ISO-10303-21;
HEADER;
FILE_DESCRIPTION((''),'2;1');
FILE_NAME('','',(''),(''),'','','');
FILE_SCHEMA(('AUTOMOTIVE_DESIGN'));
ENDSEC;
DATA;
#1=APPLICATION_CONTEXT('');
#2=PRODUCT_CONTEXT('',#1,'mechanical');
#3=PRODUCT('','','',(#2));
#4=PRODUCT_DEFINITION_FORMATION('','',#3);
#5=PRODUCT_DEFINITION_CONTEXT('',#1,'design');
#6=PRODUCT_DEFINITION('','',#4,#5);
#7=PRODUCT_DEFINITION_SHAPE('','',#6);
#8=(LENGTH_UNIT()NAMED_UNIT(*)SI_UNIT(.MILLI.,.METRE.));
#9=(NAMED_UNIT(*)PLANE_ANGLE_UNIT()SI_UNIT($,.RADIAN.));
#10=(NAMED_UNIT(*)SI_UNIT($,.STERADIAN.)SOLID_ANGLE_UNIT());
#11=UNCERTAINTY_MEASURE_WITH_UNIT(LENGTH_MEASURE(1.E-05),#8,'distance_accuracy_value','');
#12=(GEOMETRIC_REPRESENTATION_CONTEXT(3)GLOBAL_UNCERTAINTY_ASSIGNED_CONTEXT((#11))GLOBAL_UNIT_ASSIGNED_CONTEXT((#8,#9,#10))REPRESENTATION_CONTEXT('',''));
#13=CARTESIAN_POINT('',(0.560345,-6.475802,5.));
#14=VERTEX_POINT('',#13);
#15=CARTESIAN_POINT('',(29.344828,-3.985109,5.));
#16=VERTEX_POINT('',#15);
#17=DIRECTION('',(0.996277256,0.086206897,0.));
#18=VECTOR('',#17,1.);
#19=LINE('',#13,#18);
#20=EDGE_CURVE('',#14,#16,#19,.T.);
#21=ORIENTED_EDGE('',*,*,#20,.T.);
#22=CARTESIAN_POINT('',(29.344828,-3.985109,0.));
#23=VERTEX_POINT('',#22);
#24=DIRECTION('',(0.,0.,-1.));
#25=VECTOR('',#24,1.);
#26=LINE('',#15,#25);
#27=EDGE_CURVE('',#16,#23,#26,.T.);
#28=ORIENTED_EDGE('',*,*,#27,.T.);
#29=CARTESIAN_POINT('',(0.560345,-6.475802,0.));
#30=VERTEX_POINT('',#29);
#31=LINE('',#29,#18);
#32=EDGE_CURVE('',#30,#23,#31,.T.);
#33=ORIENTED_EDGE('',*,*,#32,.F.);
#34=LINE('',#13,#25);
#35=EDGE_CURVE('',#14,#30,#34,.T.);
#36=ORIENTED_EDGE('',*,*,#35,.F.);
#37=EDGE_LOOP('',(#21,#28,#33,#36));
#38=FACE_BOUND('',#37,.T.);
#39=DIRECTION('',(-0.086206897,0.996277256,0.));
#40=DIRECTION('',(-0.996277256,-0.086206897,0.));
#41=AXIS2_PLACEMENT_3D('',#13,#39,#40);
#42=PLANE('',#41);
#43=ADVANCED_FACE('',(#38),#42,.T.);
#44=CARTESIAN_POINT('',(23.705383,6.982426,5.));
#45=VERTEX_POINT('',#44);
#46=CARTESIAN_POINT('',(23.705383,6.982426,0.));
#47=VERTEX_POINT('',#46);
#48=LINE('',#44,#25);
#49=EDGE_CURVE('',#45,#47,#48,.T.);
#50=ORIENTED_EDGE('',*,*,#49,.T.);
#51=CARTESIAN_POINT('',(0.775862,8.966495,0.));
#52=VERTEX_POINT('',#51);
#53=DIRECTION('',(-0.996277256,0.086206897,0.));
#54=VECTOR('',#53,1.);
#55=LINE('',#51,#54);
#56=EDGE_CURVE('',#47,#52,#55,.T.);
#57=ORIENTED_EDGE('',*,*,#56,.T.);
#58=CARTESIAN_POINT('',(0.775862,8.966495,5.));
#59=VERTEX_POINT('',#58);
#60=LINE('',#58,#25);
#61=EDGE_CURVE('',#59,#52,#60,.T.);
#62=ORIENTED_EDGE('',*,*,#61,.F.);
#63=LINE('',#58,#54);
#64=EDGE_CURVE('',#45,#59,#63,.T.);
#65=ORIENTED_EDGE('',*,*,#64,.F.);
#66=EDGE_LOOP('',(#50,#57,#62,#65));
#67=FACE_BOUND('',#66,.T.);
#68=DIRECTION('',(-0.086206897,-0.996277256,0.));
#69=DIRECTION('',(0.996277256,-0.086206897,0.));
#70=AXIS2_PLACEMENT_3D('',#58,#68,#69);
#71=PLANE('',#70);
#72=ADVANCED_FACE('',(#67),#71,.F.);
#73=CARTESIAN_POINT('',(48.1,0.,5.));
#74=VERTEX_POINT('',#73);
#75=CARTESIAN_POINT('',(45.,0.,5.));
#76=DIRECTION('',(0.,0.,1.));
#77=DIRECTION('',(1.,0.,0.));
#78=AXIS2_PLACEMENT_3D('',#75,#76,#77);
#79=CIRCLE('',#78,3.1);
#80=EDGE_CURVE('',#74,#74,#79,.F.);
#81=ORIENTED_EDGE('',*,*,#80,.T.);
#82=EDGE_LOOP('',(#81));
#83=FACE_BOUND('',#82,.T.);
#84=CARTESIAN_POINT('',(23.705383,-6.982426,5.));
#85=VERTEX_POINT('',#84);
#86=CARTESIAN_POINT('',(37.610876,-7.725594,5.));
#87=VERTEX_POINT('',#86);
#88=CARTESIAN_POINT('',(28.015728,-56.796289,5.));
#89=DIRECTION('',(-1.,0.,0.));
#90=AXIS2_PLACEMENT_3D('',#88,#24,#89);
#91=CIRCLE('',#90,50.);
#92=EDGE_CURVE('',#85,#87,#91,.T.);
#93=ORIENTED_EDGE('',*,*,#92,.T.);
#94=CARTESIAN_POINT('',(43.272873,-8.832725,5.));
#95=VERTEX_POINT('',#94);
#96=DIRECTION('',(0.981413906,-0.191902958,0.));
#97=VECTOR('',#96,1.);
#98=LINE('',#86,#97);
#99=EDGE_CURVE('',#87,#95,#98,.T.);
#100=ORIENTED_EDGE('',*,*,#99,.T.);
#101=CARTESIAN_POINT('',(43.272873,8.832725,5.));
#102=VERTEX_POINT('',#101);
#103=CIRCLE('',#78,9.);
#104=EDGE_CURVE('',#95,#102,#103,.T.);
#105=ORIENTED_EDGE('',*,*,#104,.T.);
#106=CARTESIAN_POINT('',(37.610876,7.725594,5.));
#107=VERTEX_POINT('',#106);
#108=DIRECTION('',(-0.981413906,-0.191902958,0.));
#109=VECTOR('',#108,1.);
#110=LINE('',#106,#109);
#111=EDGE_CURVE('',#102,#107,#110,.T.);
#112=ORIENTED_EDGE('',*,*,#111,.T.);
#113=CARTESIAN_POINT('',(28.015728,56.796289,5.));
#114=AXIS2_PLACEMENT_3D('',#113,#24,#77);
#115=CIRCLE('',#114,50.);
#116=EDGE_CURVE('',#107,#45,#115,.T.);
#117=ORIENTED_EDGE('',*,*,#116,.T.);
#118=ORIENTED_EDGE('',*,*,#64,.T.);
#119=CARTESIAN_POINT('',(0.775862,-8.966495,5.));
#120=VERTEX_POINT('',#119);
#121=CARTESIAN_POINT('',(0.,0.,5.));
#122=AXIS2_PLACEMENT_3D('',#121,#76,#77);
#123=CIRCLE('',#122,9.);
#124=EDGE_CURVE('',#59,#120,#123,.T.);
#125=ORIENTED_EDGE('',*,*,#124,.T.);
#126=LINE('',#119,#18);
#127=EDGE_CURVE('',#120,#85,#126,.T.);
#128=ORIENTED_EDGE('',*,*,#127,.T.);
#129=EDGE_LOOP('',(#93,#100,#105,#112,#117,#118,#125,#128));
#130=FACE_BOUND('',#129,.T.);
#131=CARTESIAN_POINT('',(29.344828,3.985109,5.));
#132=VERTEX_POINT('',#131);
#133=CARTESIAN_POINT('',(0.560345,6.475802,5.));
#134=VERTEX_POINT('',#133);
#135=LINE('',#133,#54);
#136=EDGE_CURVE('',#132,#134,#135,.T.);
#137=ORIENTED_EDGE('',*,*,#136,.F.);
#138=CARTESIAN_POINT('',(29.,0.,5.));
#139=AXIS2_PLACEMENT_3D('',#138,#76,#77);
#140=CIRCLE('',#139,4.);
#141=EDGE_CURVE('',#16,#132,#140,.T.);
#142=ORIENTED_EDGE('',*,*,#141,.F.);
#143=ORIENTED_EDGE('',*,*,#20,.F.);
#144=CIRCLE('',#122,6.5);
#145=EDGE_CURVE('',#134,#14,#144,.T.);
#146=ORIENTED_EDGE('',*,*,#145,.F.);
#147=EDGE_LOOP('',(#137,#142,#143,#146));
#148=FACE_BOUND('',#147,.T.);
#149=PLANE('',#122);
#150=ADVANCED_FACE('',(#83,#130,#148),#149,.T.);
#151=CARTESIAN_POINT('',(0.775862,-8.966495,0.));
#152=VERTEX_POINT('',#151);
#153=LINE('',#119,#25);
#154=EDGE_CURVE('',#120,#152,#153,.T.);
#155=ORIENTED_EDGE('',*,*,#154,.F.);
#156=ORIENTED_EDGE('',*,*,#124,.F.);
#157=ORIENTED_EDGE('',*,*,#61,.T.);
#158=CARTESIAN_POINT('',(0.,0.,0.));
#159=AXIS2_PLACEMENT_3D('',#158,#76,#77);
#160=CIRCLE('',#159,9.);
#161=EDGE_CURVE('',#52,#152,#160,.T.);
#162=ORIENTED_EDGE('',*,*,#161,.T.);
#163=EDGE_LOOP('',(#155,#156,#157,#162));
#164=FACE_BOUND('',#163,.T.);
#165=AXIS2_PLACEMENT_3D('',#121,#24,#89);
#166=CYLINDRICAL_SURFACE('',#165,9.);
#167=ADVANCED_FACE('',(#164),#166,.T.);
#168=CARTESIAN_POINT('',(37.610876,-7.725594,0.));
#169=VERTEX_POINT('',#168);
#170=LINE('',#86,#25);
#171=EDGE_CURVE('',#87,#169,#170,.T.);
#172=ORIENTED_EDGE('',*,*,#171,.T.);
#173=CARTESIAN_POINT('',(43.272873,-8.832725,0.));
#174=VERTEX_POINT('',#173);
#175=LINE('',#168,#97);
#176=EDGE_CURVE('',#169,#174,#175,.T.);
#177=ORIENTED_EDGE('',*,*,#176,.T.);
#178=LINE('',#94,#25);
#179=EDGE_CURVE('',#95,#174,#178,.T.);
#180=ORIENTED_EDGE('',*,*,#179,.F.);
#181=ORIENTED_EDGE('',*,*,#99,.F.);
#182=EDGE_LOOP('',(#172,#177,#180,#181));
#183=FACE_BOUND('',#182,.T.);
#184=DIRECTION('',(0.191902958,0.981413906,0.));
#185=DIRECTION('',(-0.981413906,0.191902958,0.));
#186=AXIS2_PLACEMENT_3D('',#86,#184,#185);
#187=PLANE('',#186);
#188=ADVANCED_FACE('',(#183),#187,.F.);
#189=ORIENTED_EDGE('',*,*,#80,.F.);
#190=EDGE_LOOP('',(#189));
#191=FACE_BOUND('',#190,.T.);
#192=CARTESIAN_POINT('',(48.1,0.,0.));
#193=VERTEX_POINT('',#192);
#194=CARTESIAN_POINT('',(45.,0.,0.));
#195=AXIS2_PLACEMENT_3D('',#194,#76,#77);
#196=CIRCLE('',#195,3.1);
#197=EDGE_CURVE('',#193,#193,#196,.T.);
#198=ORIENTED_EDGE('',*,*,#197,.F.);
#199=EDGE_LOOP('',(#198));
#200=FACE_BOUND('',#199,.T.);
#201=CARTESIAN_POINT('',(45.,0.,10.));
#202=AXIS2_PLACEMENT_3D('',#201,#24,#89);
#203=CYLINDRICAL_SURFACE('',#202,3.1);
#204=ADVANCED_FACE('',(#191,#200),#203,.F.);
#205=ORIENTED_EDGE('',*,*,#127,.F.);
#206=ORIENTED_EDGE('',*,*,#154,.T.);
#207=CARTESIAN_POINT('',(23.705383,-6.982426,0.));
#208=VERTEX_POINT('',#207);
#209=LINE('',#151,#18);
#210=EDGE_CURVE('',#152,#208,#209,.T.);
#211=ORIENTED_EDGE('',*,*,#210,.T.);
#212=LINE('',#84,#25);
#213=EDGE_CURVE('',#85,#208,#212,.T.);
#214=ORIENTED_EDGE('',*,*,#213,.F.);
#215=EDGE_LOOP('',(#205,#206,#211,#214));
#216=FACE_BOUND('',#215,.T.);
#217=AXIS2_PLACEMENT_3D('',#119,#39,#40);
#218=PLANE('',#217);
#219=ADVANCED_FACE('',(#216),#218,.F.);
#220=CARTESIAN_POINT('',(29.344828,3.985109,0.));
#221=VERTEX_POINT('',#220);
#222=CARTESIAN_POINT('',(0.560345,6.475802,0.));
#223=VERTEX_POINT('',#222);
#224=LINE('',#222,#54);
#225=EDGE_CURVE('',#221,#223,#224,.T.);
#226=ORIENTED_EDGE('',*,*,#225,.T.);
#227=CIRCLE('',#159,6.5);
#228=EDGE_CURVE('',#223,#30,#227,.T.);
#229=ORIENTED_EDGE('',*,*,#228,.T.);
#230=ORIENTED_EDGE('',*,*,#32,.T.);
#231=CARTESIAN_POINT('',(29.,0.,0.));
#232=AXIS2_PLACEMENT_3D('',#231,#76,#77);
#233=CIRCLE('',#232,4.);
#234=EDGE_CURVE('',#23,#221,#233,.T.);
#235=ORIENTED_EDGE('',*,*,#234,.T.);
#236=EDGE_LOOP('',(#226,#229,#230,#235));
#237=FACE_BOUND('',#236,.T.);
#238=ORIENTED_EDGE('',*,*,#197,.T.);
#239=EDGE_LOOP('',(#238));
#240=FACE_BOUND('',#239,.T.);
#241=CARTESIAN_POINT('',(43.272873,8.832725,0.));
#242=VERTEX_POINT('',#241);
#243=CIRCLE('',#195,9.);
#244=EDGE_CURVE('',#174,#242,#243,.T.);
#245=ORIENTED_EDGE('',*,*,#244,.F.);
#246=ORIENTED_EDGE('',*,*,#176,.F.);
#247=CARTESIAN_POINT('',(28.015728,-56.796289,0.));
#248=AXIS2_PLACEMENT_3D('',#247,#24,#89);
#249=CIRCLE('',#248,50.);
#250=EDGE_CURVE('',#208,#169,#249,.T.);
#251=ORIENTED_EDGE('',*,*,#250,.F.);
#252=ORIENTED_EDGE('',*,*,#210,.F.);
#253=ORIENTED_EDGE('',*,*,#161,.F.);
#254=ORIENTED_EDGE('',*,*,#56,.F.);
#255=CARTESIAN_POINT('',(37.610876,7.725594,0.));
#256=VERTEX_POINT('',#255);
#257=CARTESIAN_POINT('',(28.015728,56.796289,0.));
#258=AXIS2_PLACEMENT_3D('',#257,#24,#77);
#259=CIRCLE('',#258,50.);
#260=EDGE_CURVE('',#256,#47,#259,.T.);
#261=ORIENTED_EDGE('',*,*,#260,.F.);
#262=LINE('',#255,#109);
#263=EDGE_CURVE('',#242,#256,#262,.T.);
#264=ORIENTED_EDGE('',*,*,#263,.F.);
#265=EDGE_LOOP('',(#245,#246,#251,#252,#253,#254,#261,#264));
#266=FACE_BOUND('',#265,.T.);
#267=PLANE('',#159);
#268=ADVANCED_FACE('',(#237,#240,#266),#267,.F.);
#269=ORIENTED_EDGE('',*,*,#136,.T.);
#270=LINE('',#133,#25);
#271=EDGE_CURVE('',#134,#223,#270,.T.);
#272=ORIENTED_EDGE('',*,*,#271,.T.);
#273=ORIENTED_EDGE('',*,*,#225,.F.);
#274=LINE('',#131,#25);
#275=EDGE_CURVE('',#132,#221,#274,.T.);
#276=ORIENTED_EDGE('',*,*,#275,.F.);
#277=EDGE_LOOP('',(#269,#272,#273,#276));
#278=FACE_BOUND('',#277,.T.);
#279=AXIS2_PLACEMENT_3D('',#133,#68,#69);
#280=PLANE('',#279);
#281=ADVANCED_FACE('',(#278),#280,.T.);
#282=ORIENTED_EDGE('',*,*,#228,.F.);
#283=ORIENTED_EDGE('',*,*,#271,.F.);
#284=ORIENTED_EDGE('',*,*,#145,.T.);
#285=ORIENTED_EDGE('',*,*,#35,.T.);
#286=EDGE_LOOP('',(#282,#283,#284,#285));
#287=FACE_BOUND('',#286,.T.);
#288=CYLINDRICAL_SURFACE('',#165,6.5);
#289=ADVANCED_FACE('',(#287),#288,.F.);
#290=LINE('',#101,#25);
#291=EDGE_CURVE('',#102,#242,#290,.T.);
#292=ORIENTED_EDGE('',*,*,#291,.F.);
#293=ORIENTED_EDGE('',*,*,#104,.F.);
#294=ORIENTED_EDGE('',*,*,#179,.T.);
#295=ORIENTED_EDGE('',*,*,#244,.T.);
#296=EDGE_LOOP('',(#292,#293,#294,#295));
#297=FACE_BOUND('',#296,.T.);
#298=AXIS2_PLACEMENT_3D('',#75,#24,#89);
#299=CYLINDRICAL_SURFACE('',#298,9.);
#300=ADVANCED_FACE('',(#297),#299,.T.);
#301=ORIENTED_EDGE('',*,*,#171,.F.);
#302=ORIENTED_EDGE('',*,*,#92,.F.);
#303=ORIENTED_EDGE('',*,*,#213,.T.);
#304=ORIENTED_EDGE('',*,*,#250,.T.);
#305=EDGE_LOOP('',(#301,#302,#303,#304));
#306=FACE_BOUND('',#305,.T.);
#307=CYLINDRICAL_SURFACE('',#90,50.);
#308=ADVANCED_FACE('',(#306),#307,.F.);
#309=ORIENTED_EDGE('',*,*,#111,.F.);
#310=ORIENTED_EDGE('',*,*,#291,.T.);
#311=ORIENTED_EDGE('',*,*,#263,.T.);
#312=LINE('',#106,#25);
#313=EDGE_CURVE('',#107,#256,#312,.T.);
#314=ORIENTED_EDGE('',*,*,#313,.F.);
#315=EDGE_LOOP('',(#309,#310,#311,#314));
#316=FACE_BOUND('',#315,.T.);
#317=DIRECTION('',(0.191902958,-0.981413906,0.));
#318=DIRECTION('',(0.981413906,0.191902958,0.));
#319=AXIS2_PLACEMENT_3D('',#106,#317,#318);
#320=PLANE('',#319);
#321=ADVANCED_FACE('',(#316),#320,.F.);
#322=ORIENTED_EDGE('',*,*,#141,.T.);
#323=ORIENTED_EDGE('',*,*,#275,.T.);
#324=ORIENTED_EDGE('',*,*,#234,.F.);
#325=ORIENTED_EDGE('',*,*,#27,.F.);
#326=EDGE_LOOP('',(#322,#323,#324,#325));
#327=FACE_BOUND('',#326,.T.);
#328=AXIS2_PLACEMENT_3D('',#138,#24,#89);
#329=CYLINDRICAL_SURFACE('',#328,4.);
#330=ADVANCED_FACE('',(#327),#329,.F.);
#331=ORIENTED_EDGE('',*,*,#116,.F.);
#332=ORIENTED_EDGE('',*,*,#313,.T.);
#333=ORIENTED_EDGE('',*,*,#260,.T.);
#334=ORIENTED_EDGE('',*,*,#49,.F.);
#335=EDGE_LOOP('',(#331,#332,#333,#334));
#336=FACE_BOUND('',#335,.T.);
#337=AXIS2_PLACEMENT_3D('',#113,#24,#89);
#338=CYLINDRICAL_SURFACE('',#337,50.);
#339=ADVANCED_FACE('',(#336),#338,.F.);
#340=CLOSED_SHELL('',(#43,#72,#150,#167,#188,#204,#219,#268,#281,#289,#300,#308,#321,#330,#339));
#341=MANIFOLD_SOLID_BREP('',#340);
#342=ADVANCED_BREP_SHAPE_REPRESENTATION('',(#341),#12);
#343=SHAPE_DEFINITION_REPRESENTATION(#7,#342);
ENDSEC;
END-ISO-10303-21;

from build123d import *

# Parameters (mm, degrees)
TIJELO_DEPTH       = 5
UTOR_ZA_RUKU_DEPTH = 55.972720508
SKETCH8_R          = 3.1
CUT_EXTRUDE2_DEPTH = 10


with BuildPart() as part:
    # Sketch2 → Tijelo (new body)
    with BuildSketch(Plane.XY):
        with BuildLine():
            Line((0.775862069, 8.966495305), (23.705382946, 6.98242629))
            ThreePointArc((23.705382946, 6.98242629), (30.68412811, 6.867543469), (37.610875669, 7.725593798))
            Line((37.610875669, 7.725593798), (43.272873379, 8.832725153))
            ThreePointArc((43.272873379, 8.832725153), (54, 0), (43.272873379, -8.832725153))
            Line((43.272873379, -8.832725153), (37.610875669, -7.725593798))
            ThreePointArc((37.610875669, -7.725593798), (30.68412811, -6.867543469), (23.705382946, -6.98242629))
            Line((23.705382946, -6.98242629), (0.775862069, -8.966495305))
            ThreePointArc((0.775862069, -8.966495305), (-9, 0), (0.775862069, 8.966495305))
        make_face()
    extrude(amount=TIJELO_DEPTH)

    # Sketch1 → Utor za ruku (cut, through all)
    with BuildSketch(Plane.XY):
        with BuildLine():
            Line((0.560344828, 6.475802165), (29.344827586, 3.985109024))
            ThreePointArc((29.344827586, 3.985109024), (33, 0), (29.344827586, -3.985109024))
            Line((29.344827586, -3.985109024), (0.560344828, -6.475802165))
            ThreePointArc((0.560344828, -6.475802165), (-6.5, 0), (0.560344828, 6.475802165))
        make_face()
    extrude(amount=UTOR_ZA_RUKU_DEPTH, mode=Mode.SUBTRACT)

    # Sketch8 → Cut-Extrude2 (cut)
    with BuildSketch(Plane.XY):
        with Locations((45, 0)):
            Circle(SKETCH8_R)
    extrude(amount=CUT_EXTRUDE2_DEPTH, mode=Mode.SUBTRACT)


solid = part.part
